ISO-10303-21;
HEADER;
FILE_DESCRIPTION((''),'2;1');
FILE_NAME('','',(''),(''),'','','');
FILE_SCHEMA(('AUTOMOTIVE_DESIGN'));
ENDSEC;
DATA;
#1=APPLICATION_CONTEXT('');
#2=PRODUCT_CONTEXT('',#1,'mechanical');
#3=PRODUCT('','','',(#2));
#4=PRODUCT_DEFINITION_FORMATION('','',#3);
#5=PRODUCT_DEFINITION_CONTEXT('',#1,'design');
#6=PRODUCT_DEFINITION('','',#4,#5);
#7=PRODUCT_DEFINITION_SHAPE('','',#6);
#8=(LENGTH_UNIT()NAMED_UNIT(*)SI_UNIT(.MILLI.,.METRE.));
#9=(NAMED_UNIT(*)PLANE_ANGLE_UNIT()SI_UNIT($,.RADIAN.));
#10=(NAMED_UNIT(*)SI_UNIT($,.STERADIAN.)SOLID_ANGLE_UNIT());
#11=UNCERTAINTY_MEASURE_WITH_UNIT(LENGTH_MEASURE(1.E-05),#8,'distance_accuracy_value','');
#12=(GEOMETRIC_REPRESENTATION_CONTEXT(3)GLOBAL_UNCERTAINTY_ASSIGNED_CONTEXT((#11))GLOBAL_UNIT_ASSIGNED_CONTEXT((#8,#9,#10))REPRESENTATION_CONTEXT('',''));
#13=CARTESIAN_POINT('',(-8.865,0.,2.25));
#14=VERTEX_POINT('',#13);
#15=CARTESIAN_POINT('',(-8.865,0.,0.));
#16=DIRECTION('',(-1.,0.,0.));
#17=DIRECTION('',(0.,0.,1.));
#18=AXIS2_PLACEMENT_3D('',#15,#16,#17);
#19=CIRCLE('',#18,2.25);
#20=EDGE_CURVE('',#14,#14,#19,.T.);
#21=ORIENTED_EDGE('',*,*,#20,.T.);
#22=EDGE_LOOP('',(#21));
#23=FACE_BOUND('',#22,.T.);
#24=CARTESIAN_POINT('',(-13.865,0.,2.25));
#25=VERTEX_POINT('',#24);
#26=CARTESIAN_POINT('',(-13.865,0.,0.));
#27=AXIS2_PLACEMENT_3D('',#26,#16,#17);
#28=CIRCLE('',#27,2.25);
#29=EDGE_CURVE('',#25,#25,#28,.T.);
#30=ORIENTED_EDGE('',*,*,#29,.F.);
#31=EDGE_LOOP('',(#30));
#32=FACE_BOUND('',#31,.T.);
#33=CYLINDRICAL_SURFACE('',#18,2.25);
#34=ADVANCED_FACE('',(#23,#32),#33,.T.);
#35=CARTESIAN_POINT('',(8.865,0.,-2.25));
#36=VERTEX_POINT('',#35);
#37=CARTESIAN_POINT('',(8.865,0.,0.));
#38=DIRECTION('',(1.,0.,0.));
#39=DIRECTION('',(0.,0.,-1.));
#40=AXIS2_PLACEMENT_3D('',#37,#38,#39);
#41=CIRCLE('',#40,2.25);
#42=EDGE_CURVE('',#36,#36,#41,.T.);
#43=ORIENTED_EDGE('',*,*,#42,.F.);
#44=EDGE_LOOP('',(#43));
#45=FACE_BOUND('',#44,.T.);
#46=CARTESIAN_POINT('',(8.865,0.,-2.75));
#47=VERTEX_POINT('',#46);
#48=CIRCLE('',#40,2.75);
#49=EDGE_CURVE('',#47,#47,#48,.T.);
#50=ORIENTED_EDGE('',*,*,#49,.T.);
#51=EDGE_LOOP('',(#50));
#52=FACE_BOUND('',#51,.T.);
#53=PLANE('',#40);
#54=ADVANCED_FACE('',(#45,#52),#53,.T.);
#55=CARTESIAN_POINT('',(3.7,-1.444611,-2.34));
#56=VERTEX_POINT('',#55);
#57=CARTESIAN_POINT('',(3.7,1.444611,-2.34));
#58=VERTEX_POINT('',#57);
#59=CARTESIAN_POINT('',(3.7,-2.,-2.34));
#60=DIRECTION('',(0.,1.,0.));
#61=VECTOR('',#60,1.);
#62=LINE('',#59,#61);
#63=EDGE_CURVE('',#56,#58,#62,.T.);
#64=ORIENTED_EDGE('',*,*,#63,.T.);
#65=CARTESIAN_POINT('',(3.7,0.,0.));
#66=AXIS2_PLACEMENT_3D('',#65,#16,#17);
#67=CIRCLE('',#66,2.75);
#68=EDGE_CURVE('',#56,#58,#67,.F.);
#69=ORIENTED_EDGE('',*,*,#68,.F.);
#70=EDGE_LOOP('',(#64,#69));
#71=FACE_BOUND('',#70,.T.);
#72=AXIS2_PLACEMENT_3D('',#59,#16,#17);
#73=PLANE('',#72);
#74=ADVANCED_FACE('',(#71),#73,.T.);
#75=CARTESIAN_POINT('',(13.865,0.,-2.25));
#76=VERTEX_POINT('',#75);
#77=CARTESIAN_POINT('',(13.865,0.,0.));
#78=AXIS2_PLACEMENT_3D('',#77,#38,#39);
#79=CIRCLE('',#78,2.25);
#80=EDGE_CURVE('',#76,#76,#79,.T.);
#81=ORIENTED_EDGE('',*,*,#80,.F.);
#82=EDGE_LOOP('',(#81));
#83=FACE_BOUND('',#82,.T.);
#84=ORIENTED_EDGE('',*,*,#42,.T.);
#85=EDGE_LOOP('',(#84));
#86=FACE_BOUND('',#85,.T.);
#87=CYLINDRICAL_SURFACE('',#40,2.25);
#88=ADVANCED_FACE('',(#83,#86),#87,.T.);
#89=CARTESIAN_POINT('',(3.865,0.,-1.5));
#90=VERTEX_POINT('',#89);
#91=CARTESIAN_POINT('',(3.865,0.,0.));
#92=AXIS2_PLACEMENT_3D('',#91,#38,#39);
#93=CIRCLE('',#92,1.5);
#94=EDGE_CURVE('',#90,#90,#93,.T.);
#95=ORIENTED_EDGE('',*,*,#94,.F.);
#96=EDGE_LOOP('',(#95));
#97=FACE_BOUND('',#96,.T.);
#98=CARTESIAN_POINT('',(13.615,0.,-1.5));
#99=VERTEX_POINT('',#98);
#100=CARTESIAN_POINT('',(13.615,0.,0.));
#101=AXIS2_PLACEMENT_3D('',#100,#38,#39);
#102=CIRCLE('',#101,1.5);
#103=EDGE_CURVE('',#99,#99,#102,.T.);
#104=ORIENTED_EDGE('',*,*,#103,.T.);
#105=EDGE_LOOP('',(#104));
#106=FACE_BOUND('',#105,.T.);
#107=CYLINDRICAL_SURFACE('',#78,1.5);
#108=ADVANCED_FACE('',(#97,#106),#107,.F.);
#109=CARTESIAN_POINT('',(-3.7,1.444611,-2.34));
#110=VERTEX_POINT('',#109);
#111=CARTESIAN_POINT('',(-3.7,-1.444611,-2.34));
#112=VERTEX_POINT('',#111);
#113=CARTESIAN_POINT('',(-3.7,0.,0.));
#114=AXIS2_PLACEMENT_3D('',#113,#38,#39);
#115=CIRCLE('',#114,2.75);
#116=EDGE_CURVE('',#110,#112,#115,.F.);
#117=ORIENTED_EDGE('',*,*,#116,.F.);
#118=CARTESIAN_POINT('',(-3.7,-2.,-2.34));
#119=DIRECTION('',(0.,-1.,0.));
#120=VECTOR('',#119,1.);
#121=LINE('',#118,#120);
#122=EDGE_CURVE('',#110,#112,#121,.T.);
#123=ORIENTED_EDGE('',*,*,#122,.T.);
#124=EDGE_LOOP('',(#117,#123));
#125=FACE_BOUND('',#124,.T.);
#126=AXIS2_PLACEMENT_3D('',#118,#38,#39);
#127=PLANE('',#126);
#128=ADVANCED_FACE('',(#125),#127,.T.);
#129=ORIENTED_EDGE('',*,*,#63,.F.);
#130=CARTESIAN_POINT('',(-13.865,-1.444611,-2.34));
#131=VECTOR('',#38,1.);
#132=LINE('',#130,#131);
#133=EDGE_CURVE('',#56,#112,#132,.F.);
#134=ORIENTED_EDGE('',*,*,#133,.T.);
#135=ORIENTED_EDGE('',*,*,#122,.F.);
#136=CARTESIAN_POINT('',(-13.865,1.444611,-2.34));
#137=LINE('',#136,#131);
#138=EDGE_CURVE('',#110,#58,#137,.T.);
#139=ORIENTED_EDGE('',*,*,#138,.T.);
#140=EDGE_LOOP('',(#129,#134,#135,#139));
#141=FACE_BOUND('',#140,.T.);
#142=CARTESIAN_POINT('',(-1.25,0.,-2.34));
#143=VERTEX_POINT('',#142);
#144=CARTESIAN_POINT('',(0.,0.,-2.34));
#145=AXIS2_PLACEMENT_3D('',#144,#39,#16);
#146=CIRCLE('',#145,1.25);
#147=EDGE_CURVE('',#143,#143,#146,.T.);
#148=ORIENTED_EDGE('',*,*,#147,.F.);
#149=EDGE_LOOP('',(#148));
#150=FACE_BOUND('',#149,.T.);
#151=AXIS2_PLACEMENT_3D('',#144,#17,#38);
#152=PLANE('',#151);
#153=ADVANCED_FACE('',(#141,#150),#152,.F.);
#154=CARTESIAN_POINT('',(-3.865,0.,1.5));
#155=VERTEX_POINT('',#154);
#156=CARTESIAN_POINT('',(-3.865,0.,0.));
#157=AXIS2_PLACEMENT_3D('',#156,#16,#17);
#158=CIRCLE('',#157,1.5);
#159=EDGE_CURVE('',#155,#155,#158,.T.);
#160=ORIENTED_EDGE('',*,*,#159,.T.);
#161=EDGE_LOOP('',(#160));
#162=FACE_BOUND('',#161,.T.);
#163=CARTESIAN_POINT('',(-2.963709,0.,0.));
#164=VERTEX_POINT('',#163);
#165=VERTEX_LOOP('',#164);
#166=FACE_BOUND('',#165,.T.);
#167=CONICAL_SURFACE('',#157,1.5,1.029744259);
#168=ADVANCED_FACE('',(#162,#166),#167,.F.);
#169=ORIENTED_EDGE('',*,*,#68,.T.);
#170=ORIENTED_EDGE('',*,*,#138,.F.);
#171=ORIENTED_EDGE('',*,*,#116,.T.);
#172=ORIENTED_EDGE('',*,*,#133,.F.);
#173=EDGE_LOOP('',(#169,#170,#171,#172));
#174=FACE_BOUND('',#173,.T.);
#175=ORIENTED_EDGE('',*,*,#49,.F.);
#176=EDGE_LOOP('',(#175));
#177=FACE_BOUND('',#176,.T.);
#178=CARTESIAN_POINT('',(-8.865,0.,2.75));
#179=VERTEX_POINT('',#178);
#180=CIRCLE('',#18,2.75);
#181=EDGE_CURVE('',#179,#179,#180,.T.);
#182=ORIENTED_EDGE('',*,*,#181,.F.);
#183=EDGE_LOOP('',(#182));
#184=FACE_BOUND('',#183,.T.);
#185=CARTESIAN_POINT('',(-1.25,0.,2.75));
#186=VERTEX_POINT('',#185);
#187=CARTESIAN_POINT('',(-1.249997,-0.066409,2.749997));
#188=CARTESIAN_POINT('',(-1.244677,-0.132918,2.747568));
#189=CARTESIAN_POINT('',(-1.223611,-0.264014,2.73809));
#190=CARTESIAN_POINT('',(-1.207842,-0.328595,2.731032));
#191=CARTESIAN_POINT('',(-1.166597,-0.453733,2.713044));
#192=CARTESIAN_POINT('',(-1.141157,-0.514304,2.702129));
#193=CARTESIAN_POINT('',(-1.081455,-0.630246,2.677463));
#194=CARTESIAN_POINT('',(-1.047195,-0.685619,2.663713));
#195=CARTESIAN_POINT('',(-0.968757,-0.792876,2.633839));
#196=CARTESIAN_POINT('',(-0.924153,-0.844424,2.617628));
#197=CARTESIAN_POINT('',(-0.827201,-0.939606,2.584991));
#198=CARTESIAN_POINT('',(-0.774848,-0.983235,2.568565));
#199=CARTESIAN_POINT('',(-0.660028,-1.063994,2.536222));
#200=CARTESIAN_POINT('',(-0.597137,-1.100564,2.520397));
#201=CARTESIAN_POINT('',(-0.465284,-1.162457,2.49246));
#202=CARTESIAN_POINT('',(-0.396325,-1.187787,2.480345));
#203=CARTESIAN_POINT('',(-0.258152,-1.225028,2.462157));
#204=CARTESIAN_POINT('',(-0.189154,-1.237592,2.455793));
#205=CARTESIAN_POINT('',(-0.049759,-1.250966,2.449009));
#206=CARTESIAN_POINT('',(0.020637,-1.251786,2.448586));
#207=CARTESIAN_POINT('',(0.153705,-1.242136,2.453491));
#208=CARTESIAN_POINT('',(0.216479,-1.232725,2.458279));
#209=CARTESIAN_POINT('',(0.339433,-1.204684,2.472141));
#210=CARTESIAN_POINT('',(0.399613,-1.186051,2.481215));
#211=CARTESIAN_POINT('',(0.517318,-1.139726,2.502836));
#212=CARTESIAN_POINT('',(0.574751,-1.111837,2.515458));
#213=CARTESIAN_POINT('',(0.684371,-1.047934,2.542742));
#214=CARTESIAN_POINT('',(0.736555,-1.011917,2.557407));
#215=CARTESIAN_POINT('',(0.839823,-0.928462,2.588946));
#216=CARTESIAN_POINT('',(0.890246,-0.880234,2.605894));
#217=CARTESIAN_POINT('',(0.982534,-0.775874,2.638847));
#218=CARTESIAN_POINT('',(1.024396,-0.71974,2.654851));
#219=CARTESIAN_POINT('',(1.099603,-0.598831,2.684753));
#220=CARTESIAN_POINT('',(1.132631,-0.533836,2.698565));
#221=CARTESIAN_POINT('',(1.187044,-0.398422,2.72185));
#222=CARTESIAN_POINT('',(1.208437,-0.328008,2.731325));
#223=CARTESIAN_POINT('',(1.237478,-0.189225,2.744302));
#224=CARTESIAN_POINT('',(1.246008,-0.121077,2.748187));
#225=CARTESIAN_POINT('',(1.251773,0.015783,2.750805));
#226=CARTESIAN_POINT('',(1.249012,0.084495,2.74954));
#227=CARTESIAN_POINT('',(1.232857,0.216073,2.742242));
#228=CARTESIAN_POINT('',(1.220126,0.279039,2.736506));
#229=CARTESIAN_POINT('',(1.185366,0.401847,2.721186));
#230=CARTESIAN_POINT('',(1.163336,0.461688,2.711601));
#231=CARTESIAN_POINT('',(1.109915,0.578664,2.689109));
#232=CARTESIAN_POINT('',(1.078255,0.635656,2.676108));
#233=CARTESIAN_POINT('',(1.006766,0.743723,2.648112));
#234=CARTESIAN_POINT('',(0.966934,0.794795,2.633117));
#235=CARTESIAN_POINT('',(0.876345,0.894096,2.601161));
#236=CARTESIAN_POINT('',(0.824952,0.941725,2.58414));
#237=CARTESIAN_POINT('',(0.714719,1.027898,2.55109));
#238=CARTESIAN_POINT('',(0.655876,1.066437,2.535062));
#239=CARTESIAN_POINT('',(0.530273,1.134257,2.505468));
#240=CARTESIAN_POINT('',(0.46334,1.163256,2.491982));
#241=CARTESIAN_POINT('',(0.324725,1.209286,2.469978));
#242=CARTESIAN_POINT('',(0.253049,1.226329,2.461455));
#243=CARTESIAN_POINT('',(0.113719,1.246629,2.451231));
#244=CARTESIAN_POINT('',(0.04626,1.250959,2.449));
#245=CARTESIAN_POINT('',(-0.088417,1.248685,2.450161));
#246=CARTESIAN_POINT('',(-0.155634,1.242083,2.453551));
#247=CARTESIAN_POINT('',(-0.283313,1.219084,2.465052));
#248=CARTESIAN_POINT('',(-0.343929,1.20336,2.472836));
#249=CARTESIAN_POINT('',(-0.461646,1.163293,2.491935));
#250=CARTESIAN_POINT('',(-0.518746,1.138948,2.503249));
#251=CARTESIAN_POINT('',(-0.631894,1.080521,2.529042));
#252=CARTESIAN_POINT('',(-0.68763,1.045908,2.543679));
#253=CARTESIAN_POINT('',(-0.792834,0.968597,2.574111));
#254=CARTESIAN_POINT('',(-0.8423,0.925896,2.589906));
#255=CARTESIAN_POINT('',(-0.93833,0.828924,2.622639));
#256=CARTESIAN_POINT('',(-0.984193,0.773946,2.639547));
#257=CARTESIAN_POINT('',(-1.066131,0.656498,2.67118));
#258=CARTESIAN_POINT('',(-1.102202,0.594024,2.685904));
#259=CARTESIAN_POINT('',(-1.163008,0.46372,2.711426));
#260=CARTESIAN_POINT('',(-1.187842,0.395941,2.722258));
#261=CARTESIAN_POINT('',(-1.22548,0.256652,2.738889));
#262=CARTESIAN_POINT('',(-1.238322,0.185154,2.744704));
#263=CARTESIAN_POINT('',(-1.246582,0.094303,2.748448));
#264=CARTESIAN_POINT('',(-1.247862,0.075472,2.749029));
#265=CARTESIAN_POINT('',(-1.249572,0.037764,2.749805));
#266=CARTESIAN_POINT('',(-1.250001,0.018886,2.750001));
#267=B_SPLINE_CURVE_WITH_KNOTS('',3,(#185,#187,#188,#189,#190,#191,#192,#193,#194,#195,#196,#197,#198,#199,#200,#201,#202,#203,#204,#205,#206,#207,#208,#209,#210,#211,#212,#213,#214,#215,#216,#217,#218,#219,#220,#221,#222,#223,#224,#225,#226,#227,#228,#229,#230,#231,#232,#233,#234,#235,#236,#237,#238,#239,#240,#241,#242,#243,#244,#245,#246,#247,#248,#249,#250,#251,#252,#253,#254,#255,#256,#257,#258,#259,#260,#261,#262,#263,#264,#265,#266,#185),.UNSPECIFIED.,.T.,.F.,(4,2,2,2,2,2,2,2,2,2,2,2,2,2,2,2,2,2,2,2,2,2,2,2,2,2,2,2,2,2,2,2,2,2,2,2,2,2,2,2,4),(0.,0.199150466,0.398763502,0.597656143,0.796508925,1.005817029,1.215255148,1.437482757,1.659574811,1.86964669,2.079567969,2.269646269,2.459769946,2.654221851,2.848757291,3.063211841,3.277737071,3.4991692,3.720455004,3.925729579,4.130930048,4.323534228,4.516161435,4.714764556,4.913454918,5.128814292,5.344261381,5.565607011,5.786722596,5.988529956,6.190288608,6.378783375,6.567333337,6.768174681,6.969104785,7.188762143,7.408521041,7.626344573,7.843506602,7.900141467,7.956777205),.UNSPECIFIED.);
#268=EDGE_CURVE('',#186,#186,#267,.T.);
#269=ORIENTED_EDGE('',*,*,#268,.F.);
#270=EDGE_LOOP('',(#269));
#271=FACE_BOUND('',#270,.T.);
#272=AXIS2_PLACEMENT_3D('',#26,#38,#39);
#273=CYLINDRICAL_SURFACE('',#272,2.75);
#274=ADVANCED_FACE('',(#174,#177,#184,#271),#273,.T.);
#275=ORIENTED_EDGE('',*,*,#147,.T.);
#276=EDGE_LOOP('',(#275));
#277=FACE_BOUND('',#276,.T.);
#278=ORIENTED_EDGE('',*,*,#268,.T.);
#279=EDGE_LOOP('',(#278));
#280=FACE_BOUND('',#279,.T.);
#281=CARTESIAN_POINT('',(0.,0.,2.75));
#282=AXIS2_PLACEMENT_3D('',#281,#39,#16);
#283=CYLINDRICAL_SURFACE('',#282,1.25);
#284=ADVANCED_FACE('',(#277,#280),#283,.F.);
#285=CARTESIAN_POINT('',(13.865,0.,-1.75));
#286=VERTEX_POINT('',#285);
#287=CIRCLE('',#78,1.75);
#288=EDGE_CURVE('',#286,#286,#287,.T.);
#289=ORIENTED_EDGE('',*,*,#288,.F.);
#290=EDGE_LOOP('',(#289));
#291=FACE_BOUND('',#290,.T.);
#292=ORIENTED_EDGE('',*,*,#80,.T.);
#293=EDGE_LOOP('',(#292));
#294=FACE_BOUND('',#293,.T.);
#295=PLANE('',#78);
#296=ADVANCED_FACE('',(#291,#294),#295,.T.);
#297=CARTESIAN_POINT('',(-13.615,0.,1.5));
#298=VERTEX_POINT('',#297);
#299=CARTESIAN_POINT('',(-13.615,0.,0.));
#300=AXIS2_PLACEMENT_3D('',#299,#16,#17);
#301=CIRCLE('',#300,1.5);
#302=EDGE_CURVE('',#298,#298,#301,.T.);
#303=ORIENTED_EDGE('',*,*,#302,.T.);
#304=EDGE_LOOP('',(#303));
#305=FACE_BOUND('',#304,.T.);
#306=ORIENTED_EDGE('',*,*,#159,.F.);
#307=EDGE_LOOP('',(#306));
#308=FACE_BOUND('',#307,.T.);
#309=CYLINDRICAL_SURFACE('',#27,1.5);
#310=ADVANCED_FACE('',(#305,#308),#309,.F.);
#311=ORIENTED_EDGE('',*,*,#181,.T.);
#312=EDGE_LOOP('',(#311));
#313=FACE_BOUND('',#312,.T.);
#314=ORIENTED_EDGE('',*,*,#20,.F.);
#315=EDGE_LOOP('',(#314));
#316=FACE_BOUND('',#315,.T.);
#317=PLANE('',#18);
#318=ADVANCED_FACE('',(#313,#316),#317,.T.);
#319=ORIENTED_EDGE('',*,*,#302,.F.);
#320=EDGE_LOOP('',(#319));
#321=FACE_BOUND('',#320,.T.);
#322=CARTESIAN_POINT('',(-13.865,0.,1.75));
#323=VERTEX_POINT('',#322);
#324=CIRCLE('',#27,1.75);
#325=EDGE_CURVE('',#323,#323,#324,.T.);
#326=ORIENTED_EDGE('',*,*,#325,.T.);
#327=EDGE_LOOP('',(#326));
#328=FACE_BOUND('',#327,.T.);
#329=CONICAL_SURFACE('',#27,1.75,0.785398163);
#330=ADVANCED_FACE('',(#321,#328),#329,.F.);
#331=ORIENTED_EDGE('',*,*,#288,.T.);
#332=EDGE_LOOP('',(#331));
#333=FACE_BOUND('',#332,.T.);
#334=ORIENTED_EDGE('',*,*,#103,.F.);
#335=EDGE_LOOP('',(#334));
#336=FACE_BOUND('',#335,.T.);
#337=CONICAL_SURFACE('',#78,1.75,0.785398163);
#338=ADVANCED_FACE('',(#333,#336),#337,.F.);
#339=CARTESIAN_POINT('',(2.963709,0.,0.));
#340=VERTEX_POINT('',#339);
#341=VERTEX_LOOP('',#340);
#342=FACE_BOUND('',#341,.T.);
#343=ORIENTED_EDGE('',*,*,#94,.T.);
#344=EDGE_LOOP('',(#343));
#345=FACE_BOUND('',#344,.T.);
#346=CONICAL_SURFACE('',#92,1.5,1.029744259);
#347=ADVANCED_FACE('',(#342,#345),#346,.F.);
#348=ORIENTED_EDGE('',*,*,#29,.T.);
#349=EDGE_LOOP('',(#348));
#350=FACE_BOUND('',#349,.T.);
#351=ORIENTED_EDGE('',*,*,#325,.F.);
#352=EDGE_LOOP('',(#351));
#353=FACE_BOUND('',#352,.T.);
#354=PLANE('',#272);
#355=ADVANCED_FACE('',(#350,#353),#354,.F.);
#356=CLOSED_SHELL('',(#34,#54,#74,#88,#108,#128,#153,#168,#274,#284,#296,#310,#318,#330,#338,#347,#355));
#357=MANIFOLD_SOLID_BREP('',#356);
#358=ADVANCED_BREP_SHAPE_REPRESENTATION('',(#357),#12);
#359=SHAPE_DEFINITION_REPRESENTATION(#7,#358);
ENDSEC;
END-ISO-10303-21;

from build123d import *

# Parameters (mm, degrees)
BOSS_EXTRUDE1_DEPTH                                 = 13.865
BOSS_EXTRUDE1_DEPTH_BACK                            = 13.865
SKETCH1_R                                           = 2.75
SKETCH2_R                                           = 2.75
SKETCH2_R_2                                         = 2.25
CUT_EXTRUDE1_DEPTH                                  = 5
CUT_EXTRUDE2_START                                  = -5
SKETCH3_R                                           = 2.75
SKETCH3_R_2                                         = 2.25
CUT_EXTRUDE2_DEPTH                                  = 5
CSK_FOR_M3_COUNTERSUNK_FLAT_HEAD_SCREW1_D           = 3
CSK_FOR_M3_COUNTERSUNK_FLAT_HEAD_SCREW1_DEPTH       = 10
CSK_FOR_M3_COUNTERSUNK_FLAT_HEAD_SCREW1_CSINK_D     = 3.5
CSK_FOR_M3_COUNTERSUNK_FLAT_HEAD_SCREW1_CSINK_ANGLE = 90
CSK_FOR_M3_COUNTERSUNK_FLAT_HEAD_SCREW1_TIP         = 0.901290929
CSK_FOR_M3_COUNTERSUNK_FLAT_HEAD_SCREW2_D           = 3
CSK_FOR_M3_COUNTERSUNK_FLAT_HEAD_SCREW2_DEPTH       = 10
CSK_FOR_M3_COUNTERSUNK_FLAT_HEAD_SCREW2_CSINK_D     = 3.5
CSK_FOR_M3_COUNTERSUNK_FLAT_HEAD_SCREW2_CSINK_ANGLE = 90
CSK_FOR_M3_COUNTERSUNK_FLAT_HEAD_SCREW2_TIP         = 0.901290929
SKETCH8_W                                           = 7.4
SKETCH8_H                                           = 4
CUT_EXTRUDE3_DEPTH                                  = 3
SKETCH9_R                                           = 1.25
CUT_EXTRUDE4_DEPTH                                  = 16.023608921


with BuildPart() as part:
    # Sketch1 → Boss-Extrude1 (new, two sides: drawn at the far end of the back side and taken through both)
    with BuildSketch(Plane(origin=(0, 0, 0), x_dir=(0, 0, -1), z_dir=(1, 0, 0)).offset(-BOSS_EXTRUDE1_DEPTH_BACK)):
        Circle(SKETCH1_R)
    extrude(amount=BOSS_EXTRUDE1_DEPTH + BOSS_EXTRUDE1_DEPTH_BACK)

    # Sketch2 → Cut-Extrude1 (cut)
    with BuildSketch(Plane(origin=(13.865, 0, 0), x_dir=(0, 0, -1), z_dir=(1, 0, 0))):
        Circle(SKETCH2_R)
        Circle(SKETCH2_R_2, mode=Mode.SUBTRACT)
    extrude(amount=-CUT_EXTRUDE1_DEPTH, mode=Mode.SUBTRACT)

    # Sketch3 → Cut-Extrude2 (cut)
    with BuildSketch(Plane.ZY.offset(13.865).offset(CUT_EXTRUDE2_START)):
        Circle(SKETCH3_R)
        Circle(SKETCH3_R_2, mode=Mode.SUBTRACT)
    extrude(amount=CUT_EXTRUDE2_DEPTH, mode=Mode.SUBTRACT)

    # CSK for M3 Countersunk Flat Head Screw1
    with Locations(Plane.ZY.offset(13.865)):
        with Locations((0, 0)):
            CounterSinkHole(CSK_FOR_M3_COUNTERSUNK_FLAT_HEAD_SCREW1_D / 2, CSK_FOR_M3_COUNTERSUNK_FLAT_HEAD_SCREW1_CSINK_D / 2, depth=CSK_FOR_M3_COUNTERSUNK_FLAT_HEAD_SCREW1_DEPTH, counter_sink_angle=CSK_FOR_M3_COUNTERSUNK_FLAT_HEAD_SCREW1_CSINK_ANGLE)
            with Locations((0, 0, -(CSK_FOR_M3_COUNTERSUNK_FLAT_HEAD_SCREW1_DEPTH + CSK_FOR_M3_COUNTERSUNK_FLAT_HEAD_SCREW1_TIP / 2))):  # 118° drill point
                Cone(0, CSK_FOR_M3_COUNTERSUNK_FLAT_HEAD_SCREW1_D / 2, CSK_FOR_M3_COUNTERSUNK_FLAT_HEAD_SCREW1_TIP, mode=Mode.SUBTRACT)

    # CSK for M3 Countersunk Flat Head Screw2
    with Locations(Plane(origin=(13.865, 0, 0), x_dir=(0, 0, -1), z_dir=(1, 0, 0))):
        with Locations((0, 0)):
            CounterSinkHole(CSK_FOR_M3_COUNTERSUNK_FLAT_HEAD_SCREW2_D / 2, CSK_FOR_M3_COUNTERSUNK_FLAT_HEAD_SCREW2_CSINK_D / 2, depth=CSK_FOR_M3_COUNTERSUNK_FLAT_HEAD_SCREW2_DEPTH, counter_sink_angle=CSK_FOR_M3_COUNTERSUNK_FLAT_HEAD_SCREW2_CSINK_ANGLE)
            with Locations((0, 0, -(CSK_FOR_M3_COUNTERSUNK_FLAT_HEAD_SCREW2_DEPTH + CSK_FOR_M3_COUNTERSUNK_FLAT_HEAD_SCREW2_TIP / 2))):  # 118° drill point
                Cone(0, CSK_FOR_M3_COUNTERSUNK_FLAT_HEAD_SCREW2_D / 2, CSK_FOR_M3_COUNTERSUNK_FLAT_HEAD_SCREW2_TIP, mode=Mode.SUBTRACT)

    # Sketch8 → Cut-Extrude3 (cut)
    with BuildSketch(Plane.XY.offset(-5.34)):
        Rectangle(SKETCH8_W, SKETCH8_H)
    extrude(amount=CUT_EXTRUDE3_DEPTH, mode=Mode.SUBTRACT)

    # Sketch9 → Cut-Extrude4 (cut, through all)
    with BuildSketch(Plane(origin=(0, 0, -2.34), x_dir=(-1, 0, 0), z_dir=(0, 0, -1))):
        Circle(SKETCH9_R)
    extrude(amount=-CUT_EXTRUDE4_DEPTH, mode=Mode.SUBTRACT)


solid = part.part
